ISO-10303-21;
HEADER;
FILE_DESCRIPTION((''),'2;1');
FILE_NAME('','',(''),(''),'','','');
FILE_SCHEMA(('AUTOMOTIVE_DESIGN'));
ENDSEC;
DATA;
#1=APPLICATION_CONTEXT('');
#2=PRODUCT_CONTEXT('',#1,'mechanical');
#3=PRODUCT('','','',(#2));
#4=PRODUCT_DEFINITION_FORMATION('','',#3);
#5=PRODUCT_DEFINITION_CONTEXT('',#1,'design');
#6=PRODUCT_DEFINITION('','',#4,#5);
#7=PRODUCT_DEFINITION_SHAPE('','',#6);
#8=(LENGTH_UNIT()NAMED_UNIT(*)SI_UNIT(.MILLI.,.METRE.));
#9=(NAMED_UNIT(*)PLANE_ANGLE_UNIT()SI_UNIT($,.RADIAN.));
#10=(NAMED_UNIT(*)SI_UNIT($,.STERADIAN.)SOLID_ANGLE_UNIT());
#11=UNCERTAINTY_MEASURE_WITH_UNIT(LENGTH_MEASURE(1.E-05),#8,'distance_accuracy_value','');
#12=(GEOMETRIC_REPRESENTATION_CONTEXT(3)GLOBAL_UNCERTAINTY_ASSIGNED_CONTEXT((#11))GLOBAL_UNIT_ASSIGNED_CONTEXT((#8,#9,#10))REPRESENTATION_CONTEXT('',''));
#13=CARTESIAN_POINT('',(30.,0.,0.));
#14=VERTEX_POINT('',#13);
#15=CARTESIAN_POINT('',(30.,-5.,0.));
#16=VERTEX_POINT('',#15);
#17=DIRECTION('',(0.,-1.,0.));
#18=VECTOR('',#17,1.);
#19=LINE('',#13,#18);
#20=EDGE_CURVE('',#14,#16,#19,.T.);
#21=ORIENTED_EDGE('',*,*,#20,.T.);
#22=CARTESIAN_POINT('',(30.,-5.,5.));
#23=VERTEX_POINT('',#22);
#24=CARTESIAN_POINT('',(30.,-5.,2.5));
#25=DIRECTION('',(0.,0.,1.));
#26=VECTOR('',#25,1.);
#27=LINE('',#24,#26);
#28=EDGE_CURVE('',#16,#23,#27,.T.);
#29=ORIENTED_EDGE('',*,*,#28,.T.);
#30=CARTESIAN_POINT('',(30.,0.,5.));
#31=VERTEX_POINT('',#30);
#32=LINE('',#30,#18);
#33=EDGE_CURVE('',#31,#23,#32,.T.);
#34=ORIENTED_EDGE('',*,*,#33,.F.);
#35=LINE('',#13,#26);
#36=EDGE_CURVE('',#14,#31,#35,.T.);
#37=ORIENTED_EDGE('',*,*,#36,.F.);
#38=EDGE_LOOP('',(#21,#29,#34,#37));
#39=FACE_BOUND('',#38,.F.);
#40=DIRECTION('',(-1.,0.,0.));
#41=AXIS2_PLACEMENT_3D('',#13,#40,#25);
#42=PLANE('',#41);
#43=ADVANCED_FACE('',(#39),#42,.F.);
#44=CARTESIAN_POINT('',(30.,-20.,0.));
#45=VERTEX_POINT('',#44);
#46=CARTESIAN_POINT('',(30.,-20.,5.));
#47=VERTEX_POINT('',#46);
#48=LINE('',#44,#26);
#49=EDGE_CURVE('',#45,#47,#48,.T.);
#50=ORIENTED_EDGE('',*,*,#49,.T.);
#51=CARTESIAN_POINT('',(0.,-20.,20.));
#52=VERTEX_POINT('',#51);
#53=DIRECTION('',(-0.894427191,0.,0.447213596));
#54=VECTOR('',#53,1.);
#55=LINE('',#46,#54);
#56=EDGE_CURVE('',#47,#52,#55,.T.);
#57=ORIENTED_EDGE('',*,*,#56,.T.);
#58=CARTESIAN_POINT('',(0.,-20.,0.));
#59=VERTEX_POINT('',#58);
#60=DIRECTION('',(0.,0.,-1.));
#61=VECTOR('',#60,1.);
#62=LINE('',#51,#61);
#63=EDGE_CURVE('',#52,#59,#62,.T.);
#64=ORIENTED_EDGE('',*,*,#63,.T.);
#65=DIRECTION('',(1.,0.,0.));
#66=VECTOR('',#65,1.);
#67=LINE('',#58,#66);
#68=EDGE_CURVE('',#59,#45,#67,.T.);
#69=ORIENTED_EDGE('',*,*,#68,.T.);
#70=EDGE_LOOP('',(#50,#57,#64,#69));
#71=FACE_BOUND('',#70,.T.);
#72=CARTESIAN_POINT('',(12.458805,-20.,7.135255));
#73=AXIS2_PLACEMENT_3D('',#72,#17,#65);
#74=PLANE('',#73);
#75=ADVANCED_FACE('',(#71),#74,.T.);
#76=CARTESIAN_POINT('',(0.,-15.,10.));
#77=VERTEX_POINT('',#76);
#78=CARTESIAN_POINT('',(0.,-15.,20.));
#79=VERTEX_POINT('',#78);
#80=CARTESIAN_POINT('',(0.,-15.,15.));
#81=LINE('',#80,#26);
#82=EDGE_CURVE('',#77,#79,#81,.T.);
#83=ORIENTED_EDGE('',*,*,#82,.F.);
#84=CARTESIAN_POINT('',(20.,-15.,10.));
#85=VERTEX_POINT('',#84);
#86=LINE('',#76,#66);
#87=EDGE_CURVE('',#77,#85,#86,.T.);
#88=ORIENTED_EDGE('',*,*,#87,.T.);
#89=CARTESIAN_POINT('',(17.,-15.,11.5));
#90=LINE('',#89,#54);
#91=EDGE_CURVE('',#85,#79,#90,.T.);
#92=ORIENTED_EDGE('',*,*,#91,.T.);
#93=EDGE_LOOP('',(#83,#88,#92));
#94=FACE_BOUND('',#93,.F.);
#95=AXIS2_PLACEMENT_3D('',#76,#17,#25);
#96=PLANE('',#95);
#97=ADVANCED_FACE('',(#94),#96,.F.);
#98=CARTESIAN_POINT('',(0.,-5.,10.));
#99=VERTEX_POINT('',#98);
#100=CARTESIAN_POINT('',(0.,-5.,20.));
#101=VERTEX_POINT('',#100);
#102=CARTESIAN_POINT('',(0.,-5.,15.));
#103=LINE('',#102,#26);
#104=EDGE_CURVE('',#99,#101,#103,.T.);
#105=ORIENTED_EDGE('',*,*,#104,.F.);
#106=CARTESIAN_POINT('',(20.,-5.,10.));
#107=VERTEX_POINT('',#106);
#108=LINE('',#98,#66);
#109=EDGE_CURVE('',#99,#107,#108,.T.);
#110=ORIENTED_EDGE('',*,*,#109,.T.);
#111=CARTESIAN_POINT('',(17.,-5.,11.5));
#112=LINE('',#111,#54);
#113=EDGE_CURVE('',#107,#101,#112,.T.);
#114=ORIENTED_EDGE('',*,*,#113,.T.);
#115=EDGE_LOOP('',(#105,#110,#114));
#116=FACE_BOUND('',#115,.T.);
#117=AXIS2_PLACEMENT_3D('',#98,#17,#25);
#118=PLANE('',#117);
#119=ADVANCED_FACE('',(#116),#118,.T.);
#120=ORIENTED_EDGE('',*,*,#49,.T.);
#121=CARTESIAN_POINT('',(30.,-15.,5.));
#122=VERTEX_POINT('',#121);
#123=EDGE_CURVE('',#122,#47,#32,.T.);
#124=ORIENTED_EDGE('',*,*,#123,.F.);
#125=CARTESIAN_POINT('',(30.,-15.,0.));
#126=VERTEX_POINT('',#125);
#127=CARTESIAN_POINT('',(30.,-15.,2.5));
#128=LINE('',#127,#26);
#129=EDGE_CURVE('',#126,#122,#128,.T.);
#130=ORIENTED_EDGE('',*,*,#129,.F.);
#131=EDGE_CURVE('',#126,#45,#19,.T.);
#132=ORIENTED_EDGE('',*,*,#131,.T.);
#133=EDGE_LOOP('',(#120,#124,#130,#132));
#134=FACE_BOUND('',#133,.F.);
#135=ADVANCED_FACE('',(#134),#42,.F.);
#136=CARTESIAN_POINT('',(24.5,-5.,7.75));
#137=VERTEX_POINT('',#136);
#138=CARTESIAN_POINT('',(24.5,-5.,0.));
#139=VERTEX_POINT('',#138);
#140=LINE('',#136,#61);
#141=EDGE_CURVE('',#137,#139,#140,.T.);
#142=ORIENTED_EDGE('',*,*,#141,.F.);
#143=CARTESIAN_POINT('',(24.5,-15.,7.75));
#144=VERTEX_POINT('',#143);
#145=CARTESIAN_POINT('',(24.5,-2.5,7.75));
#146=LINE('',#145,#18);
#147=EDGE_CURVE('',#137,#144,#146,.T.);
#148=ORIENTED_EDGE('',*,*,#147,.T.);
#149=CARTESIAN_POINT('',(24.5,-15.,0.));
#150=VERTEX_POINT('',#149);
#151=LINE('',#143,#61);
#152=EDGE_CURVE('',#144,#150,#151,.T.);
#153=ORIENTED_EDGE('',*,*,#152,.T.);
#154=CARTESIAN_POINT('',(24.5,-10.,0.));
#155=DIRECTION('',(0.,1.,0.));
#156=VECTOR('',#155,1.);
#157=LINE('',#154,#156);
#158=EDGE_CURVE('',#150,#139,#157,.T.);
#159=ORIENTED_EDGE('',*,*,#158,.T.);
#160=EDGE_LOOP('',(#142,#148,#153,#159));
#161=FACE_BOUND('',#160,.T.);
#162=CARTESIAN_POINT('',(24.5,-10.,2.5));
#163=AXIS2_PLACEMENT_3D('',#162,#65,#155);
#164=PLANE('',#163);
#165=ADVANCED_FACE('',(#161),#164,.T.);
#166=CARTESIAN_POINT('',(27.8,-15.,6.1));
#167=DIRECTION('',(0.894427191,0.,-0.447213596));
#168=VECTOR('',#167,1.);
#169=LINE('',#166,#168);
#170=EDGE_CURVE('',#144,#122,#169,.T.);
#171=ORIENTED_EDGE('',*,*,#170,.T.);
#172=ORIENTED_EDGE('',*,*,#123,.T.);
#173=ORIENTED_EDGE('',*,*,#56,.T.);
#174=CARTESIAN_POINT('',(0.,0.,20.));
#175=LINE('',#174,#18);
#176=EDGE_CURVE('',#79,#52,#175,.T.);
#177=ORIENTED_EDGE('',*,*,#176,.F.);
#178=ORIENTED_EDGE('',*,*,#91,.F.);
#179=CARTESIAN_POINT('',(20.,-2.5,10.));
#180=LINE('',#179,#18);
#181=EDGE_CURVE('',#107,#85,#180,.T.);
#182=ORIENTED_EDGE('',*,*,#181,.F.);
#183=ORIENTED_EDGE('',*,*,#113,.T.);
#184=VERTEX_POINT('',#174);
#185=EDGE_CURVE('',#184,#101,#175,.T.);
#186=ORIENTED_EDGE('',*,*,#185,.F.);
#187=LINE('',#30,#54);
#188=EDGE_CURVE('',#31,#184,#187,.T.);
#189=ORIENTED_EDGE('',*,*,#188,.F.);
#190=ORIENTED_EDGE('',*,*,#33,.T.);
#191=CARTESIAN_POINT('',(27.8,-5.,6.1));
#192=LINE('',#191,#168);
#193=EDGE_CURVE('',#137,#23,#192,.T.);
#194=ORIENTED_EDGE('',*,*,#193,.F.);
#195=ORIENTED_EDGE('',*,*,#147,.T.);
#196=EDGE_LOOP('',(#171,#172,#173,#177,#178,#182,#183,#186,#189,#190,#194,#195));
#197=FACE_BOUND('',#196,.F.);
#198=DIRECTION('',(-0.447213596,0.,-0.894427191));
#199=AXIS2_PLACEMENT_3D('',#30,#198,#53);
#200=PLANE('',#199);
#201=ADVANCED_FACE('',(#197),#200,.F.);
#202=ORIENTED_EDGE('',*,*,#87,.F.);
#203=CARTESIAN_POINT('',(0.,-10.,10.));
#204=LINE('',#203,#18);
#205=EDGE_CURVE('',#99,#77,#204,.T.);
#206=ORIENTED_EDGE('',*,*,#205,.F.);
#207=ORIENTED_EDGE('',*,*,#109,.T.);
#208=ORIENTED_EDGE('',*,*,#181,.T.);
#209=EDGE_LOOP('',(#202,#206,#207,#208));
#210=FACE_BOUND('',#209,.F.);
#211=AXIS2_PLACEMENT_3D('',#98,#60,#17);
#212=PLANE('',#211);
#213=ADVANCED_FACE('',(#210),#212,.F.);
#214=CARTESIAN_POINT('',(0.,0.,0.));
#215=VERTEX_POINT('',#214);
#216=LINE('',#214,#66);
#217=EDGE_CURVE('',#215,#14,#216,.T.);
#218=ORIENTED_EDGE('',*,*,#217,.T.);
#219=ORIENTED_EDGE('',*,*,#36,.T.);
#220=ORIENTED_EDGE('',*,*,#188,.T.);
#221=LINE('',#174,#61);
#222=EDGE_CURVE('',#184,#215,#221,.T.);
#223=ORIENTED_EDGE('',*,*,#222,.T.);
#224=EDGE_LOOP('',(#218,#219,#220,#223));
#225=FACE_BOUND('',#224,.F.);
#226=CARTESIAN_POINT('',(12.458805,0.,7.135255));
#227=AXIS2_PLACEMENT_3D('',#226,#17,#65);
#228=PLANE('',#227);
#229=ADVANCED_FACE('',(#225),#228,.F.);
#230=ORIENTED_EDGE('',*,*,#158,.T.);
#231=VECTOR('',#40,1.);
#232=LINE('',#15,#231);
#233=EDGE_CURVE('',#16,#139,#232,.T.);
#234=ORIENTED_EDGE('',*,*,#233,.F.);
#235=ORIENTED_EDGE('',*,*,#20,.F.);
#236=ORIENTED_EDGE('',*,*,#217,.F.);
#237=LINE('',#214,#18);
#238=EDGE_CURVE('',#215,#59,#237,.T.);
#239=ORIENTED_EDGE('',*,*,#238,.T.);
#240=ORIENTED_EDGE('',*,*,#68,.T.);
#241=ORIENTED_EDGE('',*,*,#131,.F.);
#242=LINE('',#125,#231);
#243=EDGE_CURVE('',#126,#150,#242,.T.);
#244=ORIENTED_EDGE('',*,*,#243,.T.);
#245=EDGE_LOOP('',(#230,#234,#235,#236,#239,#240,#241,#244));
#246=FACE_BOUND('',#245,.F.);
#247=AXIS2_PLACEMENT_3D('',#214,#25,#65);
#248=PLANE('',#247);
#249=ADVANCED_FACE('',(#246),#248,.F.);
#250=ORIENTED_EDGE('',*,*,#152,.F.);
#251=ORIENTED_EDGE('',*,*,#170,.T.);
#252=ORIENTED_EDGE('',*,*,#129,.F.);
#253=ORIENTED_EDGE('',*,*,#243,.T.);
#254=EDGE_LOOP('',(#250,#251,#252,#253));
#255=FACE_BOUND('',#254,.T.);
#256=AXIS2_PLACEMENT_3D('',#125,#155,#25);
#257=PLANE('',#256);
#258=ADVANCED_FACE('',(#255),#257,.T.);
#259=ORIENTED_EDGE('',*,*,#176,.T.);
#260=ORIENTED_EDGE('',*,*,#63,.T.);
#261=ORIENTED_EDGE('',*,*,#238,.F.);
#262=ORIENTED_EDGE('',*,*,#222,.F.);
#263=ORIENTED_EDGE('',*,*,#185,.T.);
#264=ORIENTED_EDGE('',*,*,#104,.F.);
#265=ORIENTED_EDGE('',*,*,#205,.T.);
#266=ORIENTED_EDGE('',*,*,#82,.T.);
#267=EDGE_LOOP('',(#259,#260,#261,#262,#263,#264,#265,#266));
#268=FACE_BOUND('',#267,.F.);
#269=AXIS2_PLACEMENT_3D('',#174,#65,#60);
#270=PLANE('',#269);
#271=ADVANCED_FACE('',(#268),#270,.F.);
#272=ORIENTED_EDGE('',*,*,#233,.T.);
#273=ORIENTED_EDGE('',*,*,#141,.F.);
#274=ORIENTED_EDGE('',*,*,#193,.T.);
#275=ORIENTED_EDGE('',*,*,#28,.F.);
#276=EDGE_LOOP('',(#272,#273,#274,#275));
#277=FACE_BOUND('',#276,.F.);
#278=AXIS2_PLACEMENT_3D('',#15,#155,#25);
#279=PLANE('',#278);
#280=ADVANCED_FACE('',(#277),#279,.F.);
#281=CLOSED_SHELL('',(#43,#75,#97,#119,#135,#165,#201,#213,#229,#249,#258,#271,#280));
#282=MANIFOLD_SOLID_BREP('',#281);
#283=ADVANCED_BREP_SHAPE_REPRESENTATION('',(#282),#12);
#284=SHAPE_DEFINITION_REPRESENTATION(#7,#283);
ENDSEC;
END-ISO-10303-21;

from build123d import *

# Parameters (mm, degrees)
F1_DEPTH = 20
F2_W     = 10
F2_H     = 5
F3_DEPTH = 5.5
F4_W     = 10
F4_H     = 10
F5_DEPTH = 30.001
F6_W     = 5.5
F6_H     = 10
F7_DEPTH = 15.001


with BuildPart() as f1:
    # F0 (on Front) → F1 (new body)
    with BuildSketch(Plane.XZ):
        Polygon((0, 20), (0, 0), (30, 0), (30, 5), align=None)
    extrude(amount=F1_DEPTH)

    # F2 (on face) → F3 (cut)
    with BuildSketch(Plane.YZ.offset(30)):
        with Locations((-10, 2.5)):
            Rectangle(F2_W, F2_H)
    extrude(amount=-F3_DEPTH, mode=Mode.SUBTRACT)

    # F4 (on face) → F5 (cut, through all)
    with BuildSketch(Plane(origin=(0, 0, 0), x_dir=(0, -1, 0), z_dir=(-1, 0, 0))):
        with Locations((10, 15)):
            Rectangle(F4_W, F4_H)
    extrude(amount=-F5_DEPTH, mode=Mode.SUBTRACT)

    # F6 (on face) → F7 (cut, through all)
    with BuildSketch(Plane(origin=(0, 0, 5), x_dir=(1, 0, 0), z_dir=(0, 0, -1))):
        with Locations((27.25, 10)):
            Rectangle(F6_W, F6_H)
    extrude(amount=-F7_DEPTH, mode=Mode.SUBTRACT)


solid = f1.part
